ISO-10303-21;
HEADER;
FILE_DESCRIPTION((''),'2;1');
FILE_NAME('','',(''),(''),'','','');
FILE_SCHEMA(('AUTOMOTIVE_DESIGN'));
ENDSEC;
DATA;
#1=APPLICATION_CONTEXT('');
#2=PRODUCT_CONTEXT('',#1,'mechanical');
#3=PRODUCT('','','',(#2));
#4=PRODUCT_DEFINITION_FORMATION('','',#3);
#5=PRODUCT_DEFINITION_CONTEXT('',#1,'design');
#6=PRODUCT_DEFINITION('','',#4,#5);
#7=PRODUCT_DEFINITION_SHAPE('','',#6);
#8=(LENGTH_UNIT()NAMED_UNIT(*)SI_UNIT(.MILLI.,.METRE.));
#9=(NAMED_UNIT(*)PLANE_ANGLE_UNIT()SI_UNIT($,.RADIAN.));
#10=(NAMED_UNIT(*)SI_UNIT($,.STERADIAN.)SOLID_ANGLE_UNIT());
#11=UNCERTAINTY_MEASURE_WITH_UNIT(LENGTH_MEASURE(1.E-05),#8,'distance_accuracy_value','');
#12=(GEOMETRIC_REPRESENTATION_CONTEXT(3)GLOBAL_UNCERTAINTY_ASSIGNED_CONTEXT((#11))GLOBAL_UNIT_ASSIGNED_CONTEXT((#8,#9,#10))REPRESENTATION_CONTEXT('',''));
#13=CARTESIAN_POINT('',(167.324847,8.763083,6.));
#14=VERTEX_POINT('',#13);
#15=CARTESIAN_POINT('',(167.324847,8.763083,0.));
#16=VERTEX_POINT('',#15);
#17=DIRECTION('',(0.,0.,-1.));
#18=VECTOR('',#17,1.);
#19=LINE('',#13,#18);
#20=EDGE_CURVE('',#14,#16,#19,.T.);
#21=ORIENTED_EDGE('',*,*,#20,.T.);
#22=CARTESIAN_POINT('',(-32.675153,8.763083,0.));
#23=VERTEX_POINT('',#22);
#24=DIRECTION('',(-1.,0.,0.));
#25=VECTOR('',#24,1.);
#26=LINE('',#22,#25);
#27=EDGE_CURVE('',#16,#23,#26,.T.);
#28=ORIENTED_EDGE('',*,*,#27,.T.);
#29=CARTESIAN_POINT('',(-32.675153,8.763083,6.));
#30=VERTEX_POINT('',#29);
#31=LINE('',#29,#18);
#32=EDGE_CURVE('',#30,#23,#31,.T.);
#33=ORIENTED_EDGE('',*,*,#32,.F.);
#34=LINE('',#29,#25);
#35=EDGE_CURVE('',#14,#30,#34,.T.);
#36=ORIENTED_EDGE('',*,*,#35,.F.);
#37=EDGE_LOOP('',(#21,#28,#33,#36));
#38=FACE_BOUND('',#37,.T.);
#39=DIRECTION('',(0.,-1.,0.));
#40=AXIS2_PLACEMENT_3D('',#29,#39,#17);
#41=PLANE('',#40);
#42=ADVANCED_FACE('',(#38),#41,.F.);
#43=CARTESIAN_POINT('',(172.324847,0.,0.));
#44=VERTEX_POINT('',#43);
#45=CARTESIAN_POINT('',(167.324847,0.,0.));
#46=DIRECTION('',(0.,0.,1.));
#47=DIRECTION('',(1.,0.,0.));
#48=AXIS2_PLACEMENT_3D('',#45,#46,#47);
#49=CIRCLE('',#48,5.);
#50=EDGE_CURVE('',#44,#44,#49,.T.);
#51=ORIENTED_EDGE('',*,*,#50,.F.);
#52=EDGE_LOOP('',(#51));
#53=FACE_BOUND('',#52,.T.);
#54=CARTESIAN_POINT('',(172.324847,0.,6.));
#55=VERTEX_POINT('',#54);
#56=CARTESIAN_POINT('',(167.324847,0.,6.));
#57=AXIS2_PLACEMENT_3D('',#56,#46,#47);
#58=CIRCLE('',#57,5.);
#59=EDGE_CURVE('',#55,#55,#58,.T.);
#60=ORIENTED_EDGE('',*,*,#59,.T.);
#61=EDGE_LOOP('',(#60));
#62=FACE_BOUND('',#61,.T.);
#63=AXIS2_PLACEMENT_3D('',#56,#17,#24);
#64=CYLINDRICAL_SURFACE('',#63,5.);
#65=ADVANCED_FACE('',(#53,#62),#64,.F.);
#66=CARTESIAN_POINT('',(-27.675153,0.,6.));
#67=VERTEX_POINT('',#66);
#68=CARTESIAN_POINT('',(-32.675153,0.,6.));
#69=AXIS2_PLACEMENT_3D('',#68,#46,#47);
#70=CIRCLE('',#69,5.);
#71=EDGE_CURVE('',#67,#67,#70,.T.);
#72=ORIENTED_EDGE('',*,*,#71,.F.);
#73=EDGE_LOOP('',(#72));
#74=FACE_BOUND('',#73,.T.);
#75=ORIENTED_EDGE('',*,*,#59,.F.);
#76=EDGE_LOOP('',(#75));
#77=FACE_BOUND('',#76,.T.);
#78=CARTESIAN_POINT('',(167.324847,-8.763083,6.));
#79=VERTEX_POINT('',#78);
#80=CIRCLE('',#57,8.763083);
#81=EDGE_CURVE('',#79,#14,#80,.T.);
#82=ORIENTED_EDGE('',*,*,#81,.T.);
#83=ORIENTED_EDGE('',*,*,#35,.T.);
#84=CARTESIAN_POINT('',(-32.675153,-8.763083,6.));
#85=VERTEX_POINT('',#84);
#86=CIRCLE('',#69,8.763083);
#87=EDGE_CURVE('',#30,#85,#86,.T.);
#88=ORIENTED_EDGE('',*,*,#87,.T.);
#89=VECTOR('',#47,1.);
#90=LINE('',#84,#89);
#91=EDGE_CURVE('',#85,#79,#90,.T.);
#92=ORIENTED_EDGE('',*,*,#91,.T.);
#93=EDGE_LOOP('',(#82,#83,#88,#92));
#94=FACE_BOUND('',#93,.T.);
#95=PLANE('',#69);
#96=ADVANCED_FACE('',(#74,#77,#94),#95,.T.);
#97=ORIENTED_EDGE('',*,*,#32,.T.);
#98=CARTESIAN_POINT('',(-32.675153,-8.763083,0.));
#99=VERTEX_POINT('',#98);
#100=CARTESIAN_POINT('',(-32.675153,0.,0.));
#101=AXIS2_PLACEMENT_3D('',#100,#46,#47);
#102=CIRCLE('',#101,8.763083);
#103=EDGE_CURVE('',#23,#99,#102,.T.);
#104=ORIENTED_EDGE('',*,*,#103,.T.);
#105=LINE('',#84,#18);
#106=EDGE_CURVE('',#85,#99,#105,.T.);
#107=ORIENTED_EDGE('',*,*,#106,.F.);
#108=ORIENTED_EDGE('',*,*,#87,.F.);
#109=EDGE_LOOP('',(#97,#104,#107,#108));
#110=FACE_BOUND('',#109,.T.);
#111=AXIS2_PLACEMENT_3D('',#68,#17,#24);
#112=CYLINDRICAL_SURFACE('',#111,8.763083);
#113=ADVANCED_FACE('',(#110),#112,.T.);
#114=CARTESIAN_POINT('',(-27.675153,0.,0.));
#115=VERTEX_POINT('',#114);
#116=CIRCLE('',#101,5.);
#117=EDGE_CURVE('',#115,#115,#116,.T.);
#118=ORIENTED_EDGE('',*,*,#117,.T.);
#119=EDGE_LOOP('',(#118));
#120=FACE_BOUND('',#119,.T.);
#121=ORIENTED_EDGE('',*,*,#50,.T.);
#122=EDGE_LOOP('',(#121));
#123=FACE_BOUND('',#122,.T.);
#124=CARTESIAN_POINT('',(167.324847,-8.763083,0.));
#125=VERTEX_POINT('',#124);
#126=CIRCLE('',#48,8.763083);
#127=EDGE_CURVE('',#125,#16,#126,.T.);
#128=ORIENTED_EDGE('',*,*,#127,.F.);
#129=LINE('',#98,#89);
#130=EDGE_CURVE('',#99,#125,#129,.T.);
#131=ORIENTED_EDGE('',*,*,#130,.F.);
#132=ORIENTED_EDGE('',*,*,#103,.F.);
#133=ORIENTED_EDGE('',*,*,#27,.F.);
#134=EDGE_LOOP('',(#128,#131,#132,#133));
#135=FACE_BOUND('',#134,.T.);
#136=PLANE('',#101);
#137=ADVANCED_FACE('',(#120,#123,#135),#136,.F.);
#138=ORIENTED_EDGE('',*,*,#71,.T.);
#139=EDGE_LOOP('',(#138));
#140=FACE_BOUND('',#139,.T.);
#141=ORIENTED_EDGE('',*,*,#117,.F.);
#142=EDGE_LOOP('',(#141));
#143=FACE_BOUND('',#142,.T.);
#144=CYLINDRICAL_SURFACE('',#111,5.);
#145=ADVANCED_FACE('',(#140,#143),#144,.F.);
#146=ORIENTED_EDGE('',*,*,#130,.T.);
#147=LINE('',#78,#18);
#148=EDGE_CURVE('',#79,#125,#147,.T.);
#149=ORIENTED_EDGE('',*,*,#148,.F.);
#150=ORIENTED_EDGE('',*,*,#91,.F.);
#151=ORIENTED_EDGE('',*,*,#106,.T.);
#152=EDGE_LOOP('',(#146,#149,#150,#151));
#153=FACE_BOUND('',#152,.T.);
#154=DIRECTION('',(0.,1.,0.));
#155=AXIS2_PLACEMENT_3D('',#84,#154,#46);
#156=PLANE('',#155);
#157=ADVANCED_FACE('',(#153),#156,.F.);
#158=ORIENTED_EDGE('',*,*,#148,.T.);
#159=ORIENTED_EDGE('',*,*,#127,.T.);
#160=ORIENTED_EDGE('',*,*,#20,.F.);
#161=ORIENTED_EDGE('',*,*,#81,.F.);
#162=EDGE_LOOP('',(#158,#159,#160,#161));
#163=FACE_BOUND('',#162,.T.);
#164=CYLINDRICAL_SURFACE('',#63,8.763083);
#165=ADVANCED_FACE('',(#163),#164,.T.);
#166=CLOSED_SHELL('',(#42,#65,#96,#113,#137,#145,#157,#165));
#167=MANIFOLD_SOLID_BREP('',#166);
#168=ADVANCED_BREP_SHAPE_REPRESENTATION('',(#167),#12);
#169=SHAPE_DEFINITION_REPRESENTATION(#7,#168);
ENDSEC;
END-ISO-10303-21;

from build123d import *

# Parameters (mm, degrees)
CROQUIS1_R              = 5
SALIENTE_EXTRUIR1_DEPTH = 6


with BuildPart() as part:
    # Croquis1 → Saliente-Extruir1 (new body)
    with BuildSketch(Plane.XY):
        with BuildLine():
            Line((-32.675153403, 8.763083306), (167.324846597, 8.763083306))
            ThreePointArc((167.324846597, 8.763083306), (176.087929903, 0), (167.324846597, -8.763083306))
            Line((167.324846597, -8.763083306), (-32.675153403, -8.763083306))
            ThreePointArc((-32.675153403, -8.763083306), (-41.438236709, 0), (-32.675153403, 8.763083306))
        make_face()
        with Locations((-32.675153403, 0)):
            Circle(CROQUIS1_R, mode=Mode.SUBTRACT)
        with Locations((167.324846597, 0)):
            Circle(CROQUIS1_R, mode=Mode.SUBTRACT)
    extrude(amount=SALIENTE_EXTRUIR1_DEPTH)


solid = part.part
